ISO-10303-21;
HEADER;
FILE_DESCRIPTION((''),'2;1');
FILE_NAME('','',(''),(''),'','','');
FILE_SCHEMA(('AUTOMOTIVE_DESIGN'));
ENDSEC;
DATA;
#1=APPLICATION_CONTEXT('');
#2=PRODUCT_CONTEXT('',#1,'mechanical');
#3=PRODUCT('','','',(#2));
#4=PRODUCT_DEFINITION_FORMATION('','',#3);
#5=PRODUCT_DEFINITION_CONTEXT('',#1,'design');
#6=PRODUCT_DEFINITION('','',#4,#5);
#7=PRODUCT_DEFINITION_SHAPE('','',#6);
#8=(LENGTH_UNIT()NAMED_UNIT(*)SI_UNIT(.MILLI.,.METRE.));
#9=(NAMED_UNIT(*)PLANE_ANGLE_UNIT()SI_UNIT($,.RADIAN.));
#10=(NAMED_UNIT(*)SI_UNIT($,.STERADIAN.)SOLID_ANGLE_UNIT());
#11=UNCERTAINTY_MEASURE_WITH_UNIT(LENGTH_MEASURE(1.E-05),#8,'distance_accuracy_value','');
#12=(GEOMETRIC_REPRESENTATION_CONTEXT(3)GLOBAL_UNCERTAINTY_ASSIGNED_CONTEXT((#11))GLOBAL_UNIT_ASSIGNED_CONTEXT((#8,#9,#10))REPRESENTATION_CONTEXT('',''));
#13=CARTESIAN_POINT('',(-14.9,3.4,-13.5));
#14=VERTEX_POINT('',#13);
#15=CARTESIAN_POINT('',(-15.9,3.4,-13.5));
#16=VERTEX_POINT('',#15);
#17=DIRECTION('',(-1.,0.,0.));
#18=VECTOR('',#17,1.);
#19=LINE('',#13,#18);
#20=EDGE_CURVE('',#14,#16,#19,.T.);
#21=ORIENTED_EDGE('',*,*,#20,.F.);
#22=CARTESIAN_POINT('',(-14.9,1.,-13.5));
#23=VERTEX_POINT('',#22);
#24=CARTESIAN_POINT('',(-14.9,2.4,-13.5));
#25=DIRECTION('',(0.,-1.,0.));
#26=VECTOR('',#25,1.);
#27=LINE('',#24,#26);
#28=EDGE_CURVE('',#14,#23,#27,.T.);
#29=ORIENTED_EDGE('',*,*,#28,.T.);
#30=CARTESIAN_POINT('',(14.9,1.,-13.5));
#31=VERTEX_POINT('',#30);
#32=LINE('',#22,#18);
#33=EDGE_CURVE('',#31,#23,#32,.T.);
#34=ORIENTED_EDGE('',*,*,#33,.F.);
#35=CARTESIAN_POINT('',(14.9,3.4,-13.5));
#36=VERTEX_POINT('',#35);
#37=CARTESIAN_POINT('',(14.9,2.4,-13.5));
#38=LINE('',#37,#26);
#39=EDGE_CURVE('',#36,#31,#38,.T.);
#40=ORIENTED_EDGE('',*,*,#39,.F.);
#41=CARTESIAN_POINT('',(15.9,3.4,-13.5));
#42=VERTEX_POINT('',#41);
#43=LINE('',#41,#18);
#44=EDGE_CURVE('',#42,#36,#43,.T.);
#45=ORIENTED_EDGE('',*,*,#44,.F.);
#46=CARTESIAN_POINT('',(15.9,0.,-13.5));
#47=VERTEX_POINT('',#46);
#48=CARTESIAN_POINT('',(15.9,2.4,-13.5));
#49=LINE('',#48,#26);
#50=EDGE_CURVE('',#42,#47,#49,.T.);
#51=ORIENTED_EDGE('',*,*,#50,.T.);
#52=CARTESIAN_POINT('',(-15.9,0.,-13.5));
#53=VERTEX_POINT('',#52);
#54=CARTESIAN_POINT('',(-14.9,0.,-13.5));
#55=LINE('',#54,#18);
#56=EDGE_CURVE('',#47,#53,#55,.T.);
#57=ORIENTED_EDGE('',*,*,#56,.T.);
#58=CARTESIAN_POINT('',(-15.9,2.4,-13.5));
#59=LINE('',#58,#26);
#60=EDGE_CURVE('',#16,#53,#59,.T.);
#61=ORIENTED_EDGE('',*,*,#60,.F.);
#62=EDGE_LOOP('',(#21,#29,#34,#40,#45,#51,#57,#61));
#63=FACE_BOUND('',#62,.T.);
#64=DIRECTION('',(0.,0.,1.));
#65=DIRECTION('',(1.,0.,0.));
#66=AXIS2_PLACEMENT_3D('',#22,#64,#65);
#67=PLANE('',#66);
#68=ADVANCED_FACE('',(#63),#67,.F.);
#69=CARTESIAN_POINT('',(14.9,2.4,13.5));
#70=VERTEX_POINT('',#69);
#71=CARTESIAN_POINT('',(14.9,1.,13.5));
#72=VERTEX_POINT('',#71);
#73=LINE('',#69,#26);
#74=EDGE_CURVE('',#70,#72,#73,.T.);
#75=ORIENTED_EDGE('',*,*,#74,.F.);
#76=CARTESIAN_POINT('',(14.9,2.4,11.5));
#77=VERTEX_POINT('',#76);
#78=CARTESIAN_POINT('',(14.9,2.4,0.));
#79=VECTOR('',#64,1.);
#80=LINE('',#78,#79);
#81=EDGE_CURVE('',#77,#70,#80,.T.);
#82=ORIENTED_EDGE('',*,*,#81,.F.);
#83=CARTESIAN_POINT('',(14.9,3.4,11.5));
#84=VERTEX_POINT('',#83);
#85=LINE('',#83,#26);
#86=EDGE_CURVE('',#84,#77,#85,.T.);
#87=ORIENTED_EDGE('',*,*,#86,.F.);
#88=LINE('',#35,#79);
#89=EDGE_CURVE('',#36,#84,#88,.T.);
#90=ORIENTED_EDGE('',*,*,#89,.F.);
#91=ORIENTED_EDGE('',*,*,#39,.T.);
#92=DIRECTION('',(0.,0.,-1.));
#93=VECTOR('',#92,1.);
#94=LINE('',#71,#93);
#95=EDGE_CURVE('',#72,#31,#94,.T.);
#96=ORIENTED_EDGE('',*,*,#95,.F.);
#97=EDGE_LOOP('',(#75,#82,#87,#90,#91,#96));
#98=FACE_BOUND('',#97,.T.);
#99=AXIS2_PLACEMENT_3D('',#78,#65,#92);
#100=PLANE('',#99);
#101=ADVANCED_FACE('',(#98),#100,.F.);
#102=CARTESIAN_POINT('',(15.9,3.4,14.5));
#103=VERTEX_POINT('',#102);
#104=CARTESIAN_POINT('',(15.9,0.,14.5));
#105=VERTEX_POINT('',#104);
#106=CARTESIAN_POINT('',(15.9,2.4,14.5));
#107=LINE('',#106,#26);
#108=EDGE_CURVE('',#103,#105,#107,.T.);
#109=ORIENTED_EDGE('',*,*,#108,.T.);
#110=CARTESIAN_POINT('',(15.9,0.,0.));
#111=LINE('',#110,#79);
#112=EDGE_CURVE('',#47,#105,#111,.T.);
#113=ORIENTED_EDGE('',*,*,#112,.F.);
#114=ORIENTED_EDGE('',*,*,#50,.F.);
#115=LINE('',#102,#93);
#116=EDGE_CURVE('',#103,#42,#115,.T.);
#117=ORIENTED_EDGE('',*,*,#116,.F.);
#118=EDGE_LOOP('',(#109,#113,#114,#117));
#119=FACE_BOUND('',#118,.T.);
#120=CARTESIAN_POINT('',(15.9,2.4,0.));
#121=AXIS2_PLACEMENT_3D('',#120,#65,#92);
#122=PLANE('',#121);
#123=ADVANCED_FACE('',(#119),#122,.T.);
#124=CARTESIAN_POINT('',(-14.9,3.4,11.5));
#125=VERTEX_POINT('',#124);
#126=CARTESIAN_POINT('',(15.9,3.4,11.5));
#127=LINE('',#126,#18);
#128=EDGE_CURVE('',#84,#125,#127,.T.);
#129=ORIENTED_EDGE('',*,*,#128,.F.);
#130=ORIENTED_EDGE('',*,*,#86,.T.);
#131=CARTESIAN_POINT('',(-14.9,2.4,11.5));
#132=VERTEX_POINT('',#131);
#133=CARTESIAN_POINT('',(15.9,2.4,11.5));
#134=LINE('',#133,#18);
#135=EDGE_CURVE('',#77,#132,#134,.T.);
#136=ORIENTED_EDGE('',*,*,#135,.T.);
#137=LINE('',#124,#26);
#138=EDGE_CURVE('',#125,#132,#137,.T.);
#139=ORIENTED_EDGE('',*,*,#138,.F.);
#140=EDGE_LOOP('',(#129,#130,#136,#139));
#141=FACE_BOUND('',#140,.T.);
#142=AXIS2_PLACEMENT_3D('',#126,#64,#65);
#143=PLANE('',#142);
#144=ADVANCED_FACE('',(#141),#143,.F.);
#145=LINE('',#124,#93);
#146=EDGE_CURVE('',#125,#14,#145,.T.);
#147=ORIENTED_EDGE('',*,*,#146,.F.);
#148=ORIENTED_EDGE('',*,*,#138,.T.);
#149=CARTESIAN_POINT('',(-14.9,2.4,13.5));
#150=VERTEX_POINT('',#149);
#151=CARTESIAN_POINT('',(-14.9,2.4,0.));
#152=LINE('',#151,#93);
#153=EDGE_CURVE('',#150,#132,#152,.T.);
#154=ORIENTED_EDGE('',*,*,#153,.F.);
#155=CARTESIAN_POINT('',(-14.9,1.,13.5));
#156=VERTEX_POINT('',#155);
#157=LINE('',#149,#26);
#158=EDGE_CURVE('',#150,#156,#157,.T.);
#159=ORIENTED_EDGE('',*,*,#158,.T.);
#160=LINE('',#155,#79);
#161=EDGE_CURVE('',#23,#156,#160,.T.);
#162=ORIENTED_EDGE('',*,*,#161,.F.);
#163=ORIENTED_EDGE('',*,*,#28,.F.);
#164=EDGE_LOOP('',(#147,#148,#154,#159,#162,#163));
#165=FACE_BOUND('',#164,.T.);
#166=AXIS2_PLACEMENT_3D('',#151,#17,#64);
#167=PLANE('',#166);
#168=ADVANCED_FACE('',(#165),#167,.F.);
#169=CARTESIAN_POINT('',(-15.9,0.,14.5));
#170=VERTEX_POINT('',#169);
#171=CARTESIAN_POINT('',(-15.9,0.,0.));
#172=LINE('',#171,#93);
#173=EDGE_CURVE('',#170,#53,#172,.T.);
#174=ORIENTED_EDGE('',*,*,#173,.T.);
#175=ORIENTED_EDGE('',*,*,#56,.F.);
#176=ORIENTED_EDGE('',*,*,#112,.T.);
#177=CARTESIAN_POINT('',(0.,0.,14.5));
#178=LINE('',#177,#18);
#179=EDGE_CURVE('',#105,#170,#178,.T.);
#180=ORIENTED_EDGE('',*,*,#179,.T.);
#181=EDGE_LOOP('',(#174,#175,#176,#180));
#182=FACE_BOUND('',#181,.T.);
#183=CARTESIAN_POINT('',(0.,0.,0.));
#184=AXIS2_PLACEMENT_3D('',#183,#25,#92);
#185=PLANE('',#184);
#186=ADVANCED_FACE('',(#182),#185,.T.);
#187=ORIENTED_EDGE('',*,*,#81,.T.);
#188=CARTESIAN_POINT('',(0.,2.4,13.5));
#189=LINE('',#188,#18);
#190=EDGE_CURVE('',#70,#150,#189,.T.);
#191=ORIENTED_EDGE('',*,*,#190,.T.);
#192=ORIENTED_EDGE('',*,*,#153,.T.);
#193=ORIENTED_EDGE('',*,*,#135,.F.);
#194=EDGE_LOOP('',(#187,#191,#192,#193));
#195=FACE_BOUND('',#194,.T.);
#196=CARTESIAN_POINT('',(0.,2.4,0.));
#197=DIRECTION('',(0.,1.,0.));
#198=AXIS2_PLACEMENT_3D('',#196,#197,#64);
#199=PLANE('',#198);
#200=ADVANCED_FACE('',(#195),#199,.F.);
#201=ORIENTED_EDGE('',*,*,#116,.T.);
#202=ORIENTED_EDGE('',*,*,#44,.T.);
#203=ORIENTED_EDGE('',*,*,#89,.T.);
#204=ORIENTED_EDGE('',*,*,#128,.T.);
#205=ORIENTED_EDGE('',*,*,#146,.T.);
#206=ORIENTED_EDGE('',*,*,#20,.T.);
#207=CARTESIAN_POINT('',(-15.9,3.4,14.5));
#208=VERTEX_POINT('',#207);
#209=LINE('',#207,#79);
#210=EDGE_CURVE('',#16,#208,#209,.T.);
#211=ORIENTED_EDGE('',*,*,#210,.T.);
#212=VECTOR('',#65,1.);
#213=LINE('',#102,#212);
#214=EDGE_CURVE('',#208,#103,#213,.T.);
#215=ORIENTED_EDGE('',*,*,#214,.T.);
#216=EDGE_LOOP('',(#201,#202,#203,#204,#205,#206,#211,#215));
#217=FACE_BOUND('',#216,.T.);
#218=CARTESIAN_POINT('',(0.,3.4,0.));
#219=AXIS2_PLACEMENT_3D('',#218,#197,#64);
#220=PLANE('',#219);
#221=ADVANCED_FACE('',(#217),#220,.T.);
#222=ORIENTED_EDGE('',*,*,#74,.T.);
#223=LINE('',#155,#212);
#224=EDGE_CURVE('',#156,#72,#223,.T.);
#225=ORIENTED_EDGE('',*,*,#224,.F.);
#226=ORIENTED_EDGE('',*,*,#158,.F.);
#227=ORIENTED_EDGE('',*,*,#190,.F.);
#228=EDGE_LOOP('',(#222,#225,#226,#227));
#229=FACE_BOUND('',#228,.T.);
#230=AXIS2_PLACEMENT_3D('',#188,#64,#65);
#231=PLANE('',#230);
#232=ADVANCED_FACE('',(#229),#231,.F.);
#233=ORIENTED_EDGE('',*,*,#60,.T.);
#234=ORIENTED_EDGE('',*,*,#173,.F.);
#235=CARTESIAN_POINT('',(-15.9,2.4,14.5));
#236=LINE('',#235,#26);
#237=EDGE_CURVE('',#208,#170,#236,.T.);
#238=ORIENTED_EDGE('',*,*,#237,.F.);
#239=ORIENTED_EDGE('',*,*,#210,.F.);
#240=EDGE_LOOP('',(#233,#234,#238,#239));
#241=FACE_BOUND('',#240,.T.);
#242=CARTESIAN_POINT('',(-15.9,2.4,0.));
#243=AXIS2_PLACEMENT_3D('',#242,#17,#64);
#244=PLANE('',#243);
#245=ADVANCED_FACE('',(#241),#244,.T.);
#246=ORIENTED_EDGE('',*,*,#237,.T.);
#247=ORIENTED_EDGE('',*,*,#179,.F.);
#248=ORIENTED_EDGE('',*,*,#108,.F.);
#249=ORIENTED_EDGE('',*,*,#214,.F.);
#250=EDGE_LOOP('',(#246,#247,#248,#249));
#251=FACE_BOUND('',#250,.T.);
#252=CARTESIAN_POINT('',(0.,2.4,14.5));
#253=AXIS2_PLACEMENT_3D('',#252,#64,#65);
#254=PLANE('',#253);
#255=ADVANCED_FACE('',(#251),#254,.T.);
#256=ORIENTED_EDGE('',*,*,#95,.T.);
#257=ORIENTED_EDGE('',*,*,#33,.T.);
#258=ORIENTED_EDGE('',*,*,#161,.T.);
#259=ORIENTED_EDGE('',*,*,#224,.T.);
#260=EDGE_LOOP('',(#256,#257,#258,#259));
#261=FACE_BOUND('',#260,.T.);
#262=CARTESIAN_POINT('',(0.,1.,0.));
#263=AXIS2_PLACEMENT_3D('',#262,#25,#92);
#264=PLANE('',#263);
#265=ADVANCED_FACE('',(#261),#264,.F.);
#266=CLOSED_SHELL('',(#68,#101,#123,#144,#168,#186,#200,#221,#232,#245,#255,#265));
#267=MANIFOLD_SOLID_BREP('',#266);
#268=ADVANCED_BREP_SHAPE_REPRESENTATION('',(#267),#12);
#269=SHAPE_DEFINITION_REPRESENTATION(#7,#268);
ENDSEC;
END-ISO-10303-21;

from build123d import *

# Parameters (mm, degrees)
SKETCH1_W           = 29.8
SKETCH1_H           = 27
BOSS_EXTRUDE1_DEPTH = 1
BOSS_EXTRUDE2_DEPTH = 2.4
SKETCH3_W           = 31.8
SKETCH3_H           = 3
BOSS_EXTRUDE3_DEPTH = 1
SKETCH5_W           = 1
SKETCH5_H           = 25
BOSS_EXTRUDE4_DEPTH = 1
SKETCH6_W           = 1
SKETCH6_H           = 25
BOSS_EXTRUDE5_DEPTH = 1


with BuildPart() as part:
    # Sketch1 → Boss-Extrude1 (new body)
    with BuildSketch(Plane(origin=(0, 0, 0), x_dir=(1, 0, 0), z_dir=(0, 1, 0))):
        Rectangle(SKETCH1_W, SKETCH1_H)
    extrude(amount=BOSS_EXTRUDE1_DEPTH)

    # Sketch2 → Boss-Extrude2 (add)
    with BuildSketch(Plane.XZ):
        Polygon((15.9, -13.5), (15.9, 14.5), (-15.9, 14.5), (-15.9, -13.5), (-14.9, -13.5), (-14.9, 13.5), (14.9, 13.5), (14.9, -13.5), align=None)
    extrude(amount=-BOSS_EXTRUDE2_DEPTH)

    # Sketch3 → Boss-Extrude3 (add)
    with BuildSketch(Plane(origin=(0, 2.4, 0), x_dir=(1, 0, 0), z_dir=(0, 1, 0))):
        with Locations((0, -13)):
            Rectangle(SKETCH3_W, SKETCH3_H)
    extrude(amount=BOSS_EXTRUDE3_DEPTH)

    # Sketch5 → Boss-Extrude4 (add)
    with BuildSketch(Plane(origin=(0, 2.4, 0), x_dir=(1, 0, 0), z_dir=(0, 1, 0))):
        with Locations((15.4, 1)):
            Rectangle(SKETCH5_W, SKETCH5_H)
    extrude(amount=BOSS_EXTRUDE4_DEPTH)

    # Sketch6 → Boss-Extrude5 (add)
    with BuildSketch(Plane(origin=(0, 2.4, 0), x_dir=(1, 0, 0), z_dir=(0, 1, 0))):
        with Locations((-15.4, 1)):
            Rectangle(SKETCH6_W, SKETCH6_H)
    extrude(amount=BOSS_EXTRUDE5_DEPTH)


solid = part.part
